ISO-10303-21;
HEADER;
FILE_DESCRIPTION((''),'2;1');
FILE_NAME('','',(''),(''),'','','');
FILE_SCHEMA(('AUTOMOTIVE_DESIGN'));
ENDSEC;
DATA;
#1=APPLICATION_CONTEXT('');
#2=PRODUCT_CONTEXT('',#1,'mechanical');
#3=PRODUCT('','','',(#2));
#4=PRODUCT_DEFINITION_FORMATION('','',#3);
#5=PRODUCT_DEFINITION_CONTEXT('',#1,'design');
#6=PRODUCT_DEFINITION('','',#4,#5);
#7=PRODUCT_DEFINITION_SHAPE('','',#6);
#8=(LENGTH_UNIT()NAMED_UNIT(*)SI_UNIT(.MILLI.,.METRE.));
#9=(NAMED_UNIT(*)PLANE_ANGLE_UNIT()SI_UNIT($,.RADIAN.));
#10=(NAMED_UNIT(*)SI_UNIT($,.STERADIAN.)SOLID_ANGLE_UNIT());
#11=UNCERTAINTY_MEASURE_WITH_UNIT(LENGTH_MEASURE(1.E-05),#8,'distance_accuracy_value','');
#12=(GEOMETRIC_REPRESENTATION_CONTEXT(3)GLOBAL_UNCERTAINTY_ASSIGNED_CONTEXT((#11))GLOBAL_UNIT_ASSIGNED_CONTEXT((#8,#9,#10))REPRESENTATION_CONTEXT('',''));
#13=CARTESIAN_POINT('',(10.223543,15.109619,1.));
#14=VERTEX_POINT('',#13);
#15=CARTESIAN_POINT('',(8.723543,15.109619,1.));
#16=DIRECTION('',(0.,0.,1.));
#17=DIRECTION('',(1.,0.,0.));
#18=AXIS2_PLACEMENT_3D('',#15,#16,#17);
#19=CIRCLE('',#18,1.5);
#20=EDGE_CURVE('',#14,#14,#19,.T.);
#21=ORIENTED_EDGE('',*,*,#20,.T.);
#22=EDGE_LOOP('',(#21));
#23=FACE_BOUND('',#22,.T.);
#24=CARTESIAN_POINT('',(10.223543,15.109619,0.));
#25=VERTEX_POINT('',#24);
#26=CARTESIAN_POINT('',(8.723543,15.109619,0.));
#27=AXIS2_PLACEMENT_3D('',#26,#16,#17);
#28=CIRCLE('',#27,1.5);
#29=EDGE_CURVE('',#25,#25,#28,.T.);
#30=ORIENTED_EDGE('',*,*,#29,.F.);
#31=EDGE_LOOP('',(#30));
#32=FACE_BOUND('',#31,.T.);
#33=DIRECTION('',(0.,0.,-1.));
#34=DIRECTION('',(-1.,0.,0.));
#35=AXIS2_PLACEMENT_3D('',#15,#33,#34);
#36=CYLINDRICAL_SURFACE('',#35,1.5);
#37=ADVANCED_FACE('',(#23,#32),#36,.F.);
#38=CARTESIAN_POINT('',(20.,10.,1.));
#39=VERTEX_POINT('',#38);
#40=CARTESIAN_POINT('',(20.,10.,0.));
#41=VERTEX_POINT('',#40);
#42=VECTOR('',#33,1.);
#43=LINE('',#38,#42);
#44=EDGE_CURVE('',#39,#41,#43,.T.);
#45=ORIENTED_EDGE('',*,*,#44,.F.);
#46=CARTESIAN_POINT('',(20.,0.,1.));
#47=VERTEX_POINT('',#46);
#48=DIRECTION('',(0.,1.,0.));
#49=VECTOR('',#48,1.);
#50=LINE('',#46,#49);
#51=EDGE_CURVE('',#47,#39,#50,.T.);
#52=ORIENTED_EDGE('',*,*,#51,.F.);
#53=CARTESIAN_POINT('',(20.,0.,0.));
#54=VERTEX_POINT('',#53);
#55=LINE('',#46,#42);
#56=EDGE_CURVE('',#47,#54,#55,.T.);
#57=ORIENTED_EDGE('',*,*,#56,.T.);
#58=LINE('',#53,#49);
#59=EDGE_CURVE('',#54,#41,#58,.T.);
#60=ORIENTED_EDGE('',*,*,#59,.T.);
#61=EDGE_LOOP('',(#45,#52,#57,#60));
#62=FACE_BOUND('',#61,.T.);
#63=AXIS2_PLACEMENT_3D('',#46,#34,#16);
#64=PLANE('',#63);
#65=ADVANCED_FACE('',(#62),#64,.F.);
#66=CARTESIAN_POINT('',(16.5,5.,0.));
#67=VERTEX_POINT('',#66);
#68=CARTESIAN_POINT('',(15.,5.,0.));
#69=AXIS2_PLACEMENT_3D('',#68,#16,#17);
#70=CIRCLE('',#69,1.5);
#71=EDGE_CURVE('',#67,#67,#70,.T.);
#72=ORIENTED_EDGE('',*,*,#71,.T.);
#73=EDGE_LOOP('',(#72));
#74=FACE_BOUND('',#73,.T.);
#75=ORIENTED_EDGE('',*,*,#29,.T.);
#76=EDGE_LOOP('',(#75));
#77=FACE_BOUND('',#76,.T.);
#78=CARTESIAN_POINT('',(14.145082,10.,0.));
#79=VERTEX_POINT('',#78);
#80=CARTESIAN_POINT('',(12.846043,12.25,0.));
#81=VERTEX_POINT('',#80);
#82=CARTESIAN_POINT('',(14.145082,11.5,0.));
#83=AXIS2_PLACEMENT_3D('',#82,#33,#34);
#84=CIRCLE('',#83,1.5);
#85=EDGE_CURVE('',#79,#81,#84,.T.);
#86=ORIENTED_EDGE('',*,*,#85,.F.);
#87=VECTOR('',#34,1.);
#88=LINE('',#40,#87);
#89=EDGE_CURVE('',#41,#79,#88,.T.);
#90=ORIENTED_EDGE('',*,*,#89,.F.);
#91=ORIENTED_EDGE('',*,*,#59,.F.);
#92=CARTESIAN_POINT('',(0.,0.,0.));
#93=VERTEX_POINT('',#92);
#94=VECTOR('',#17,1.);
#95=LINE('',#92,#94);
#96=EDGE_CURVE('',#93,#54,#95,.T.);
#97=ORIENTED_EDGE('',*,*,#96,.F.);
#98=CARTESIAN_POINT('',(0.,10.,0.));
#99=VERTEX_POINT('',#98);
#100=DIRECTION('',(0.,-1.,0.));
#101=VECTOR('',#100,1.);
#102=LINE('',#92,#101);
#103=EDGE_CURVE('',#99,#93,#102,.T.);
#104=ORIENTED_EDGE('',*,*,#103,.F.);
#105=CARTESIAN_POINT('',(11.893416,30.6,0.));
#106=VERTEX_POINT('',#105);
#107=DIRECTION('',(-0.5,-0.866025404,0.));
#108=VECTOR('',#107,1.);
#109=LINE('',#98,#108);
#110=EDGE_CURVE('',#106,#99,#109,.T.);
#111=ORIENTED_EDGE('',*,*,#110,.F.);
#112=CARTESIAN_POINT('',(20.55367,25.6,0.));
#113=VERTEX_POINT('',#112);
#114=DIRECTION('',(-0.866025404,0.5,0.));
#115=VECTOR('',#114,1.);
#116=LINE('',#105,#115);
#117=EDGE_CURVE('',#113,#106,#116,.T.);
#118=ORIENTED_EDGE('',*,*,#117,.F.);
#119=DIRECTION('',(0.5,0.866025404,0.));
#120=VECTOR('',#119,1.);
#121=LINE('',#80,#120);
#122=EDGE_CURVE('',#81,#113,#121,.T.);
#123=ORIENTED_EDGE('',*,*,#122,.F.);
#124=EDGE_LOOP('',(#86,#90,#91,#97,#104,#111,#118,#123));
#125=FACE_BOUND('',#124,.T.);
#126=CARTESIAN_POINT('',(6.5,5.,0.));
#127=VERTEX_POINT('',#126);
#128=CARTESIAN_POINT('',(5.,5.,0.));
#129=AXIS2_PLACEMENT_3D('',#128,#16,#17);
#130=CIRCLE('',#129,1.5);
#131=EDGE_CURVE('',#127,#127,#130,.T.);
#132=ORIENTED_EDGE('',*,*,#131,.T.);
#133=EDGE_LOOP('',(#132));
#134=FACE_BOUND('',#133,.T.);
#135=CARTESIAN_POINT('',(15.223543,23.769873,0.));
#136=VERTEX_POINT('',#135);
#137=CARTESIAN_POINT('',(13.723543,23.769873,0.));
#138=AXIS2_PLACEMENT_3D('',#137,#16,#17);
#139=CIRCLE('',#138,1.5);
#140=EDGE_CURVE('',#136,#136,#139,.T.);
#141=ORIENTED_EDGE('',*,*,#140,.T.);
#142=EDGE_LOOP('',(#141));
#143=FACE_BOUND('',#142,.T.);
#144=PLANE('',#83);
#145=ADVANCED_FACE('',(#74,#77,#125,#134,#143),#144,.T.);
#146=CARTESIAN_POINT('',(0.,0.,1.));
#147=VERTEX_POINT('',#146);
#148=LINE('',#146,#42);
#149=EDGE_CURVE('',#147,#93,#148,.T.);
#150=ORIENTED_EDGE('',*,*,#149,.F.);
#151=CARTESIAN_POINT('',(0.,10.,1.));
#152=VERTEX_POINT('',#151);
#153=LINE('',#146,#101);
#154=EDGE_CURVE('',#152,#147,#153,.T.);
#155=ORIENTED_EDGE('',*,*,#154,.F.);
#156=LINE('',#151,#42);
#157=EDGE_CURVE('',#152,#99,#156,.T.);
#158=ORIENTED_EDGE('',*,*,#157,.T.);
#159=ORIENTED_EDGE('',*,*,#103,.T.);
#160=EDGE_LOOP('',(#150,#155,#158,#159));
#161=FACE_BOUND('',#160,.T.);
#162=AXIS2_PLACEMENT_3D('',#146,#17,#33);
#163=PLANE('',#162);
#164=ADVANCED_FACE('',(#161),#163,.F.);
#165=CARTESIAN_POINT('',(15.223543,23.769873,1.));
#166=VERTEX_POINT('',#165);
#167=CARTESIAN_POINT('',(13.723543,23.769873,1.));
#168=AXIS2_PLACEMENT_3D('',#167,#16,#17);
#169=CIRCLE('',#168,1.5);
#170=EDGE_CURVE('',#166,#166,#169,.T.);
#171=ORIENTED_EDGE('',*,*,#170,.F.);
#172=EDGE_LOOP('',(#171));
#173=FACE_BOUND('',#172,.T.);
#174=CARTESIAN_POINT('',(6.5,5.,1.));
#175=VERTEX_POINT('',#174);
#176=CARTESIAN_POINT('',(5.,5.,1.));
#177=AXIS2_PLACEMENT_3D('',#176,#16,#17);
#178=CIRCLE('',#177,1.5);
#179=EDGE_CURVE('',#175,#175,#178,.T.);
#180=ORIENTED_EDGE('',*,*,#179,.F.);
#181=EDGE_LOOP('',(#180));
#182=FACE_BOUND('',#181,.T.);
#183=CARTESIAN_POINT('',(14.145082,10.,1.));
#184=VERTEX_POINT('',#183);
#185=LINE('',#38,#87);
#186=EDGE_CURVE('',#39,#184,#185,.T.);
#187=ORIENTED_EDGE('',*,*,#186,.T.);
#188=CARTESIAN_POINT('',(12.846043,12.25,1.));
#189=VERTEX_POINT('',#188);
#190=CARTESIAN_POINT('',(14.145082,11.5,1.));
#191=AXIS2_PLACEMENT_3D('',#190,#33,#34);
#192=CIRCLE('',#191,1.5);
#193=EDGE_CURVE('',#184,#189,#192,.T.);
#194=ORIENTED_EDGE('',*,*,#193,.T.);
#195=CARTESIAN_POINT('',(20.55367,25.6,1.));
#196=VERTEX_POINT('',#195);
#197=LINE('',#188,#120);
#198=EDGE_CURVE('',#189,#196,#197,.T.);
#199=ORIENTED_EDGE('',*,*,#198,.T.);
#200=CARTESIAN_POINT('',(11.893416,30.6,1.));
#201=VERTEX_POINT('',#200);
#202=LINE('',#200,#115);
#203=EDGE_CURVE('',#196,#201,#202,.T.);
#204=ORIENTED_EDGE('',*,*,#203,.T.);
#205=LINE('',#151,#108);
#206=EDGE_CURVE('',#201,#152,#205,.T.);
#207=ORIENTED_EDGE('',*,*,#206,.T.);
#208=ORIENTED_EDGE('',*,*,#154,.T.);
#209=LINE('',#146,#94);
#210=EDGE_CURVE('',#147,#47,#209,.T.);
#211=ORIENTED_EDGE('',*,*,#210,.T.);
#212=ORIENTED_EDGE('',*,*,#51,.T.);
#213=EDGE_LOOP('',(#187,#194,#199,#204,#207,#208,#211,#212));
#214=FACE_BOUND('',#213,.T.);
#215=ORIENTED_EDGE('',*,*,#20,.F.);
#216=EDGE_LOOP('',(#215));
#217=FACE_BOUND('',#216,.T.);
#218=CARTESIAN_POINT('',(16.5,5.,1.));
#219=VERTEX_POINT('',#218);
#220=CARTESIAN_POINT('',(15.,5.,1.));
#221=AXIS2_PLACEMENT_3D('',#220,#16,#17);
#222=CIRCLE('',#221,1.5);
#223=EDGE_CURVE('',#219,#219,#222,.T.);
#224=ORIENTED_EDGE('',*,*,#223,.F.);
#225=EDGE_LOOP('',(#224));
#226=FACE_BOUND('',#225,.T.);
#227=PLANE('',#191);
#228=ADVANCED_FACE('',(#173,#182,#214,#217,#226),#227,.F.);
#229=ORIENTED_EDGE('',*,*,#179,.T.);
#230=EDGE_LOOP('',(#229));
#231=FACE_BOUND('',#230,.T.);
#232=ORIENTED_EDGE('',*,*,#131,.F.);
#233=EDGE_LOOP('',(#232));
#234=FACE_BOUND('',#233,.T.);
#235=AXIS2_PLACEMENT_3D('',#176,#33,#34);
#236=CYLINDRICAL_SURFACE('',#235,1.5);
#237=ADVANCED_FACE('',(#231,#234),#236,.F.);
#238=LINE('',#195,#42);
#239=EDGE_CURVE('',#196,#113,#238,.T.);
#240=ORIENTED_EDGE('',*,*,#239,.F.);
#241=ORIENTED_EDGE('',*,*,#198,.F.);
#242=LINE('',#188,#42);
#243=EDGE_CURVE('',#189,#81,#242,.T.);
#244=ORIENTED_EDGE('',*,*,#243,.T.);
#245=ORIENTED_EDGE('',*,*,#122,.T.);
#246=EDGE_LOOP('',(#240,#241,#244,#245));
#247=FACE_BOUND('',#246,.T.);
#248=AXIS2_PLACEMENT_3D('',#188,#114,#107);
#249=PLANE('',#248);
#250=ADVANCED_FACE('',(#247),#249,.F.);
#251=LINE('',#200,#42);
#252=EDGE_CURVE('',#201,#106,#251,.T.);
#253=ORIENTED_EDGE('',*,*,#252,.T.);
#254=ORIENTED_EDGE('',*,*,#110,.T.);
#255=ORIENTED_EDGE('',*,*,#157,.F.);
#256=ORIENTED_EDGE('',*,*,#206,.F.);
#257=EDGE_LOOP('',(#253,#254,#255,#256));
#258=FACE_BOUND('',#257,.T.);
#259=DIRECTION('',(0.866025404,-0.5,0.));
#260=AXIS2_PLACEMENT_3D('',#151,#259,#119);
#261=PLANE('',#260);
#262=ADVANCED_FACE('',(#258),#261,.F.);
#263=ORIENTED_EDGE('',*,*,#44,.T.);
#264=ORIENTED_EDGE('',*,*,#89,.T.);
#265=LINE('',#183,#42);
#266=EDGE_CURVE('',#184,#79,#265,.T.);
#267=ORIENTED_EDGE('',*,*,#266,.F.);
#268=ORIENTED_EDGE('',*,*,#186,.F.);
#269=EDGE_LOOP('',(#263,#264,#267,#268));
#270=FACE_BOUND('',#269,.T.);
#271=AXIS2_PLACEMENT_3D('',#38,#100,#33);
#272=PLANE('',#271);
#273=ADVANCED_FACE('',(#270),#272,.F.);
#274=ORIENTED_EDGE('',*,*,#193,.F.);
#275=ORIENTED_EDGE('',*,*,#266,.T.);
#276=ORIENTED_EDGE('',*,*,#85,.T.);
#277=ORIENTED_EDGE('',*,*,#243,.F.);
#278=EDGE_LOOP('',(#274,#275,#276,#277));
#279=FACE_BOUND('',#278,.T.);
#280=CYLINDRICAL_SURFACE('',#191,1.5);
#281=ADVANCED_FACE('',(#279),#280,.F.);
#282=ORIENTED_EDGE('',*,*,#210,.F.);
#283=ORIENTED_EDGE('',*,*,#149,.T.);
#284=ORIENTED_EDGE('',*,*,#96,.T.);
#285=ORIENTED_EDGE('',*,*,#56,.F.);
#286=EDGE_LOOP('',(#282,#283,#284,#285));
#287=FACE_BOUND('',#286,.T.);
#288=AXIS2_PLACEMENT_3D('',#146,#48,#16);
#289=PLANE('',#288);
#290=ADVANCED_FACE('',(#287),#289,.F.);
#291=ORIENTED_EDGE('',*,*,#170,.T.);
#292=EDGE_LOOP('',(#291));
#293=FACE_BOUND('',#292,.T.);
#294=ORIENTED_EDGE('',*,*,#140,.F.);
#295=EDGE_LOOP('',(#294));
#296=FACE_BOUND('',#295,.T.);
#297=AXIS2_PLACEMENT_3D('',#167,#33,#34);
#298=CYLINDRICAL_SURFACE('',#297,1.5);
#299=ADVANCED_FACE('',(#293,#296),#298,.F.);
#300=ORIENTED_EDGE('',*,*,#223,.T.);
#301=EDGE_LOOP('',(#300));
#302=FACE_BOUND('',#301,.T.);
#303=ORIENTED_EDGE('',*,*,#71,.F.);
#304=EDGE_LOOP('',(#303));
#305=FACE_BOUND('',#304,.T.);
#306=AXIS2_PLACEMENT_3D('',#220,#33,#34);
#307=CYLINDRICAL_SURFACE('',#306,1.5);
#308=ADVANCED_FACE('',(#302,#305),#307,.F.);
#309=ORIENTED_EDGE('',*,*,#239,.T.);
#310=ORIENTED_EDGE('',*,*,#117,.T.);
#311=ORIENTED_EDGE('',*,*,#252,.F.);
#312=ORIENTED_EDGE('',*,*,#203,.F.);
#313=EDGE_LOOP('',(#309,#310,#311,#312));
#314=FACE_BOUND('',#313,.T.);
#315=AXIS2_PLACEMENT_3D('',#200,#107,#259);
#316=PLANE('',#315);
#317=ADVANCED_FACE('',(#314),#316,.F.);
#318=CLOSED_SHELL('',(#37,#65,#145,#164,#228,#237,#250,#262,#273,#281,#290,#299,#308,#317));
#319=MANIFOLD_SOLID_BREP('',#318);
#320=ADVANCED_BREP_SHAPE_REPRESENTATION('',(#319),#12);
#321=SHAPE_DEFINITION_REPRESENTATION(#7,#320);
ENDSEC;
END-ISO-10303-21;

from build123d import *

# Parameters (mm, degrees)
ESQUISSE1_R        = 1.5
BOSS_EXTRU_1_DEPTH = 1


with BuildPart() as part:
    # Esquisse1 → Boss.-Extru.1 (new body)
    with BuildSketch(Plane.XY):
        with BuildLine():
            Line((0, 0), (20, 0))
            Line((20, 0), (20, 10))
            Line((20, 10), (14.145081595, 10))
            ThreePointArc((14.145081595, 10), (12.846043489, 10.75), (12.846043489, 12.25))
            Line((12.846043489, 12.25), (20.553669583, 25.6))
            Line((20.553669583, 25.6), (11.893415545, 30.6))
            Line((11.893415545, 30.6), (0, 10))
            Line((0, 10), (0, 0))
        make_face()
        with Locations((5, 5)):
            Circle(ESQUISSE1_R, mode=Mode.SUBTRACT)
        with Locations((15, 5)):
            Circle(ESQUISSE1_R, mode=Mode.SUBTRACT)
        with Locations((13.723542564, 23.769872981)):
            Circle(ESQUISSE1_R, mode=Mode.SUBTRACT)
        with Locations((8.723542564, 15.109618943)):
            Circle(ESQUISSE1_R, mode=Mode.SUBTRACT)
    extrude(amount=BOSS_EXTRU_1_DEPTH)


solid = part.part
